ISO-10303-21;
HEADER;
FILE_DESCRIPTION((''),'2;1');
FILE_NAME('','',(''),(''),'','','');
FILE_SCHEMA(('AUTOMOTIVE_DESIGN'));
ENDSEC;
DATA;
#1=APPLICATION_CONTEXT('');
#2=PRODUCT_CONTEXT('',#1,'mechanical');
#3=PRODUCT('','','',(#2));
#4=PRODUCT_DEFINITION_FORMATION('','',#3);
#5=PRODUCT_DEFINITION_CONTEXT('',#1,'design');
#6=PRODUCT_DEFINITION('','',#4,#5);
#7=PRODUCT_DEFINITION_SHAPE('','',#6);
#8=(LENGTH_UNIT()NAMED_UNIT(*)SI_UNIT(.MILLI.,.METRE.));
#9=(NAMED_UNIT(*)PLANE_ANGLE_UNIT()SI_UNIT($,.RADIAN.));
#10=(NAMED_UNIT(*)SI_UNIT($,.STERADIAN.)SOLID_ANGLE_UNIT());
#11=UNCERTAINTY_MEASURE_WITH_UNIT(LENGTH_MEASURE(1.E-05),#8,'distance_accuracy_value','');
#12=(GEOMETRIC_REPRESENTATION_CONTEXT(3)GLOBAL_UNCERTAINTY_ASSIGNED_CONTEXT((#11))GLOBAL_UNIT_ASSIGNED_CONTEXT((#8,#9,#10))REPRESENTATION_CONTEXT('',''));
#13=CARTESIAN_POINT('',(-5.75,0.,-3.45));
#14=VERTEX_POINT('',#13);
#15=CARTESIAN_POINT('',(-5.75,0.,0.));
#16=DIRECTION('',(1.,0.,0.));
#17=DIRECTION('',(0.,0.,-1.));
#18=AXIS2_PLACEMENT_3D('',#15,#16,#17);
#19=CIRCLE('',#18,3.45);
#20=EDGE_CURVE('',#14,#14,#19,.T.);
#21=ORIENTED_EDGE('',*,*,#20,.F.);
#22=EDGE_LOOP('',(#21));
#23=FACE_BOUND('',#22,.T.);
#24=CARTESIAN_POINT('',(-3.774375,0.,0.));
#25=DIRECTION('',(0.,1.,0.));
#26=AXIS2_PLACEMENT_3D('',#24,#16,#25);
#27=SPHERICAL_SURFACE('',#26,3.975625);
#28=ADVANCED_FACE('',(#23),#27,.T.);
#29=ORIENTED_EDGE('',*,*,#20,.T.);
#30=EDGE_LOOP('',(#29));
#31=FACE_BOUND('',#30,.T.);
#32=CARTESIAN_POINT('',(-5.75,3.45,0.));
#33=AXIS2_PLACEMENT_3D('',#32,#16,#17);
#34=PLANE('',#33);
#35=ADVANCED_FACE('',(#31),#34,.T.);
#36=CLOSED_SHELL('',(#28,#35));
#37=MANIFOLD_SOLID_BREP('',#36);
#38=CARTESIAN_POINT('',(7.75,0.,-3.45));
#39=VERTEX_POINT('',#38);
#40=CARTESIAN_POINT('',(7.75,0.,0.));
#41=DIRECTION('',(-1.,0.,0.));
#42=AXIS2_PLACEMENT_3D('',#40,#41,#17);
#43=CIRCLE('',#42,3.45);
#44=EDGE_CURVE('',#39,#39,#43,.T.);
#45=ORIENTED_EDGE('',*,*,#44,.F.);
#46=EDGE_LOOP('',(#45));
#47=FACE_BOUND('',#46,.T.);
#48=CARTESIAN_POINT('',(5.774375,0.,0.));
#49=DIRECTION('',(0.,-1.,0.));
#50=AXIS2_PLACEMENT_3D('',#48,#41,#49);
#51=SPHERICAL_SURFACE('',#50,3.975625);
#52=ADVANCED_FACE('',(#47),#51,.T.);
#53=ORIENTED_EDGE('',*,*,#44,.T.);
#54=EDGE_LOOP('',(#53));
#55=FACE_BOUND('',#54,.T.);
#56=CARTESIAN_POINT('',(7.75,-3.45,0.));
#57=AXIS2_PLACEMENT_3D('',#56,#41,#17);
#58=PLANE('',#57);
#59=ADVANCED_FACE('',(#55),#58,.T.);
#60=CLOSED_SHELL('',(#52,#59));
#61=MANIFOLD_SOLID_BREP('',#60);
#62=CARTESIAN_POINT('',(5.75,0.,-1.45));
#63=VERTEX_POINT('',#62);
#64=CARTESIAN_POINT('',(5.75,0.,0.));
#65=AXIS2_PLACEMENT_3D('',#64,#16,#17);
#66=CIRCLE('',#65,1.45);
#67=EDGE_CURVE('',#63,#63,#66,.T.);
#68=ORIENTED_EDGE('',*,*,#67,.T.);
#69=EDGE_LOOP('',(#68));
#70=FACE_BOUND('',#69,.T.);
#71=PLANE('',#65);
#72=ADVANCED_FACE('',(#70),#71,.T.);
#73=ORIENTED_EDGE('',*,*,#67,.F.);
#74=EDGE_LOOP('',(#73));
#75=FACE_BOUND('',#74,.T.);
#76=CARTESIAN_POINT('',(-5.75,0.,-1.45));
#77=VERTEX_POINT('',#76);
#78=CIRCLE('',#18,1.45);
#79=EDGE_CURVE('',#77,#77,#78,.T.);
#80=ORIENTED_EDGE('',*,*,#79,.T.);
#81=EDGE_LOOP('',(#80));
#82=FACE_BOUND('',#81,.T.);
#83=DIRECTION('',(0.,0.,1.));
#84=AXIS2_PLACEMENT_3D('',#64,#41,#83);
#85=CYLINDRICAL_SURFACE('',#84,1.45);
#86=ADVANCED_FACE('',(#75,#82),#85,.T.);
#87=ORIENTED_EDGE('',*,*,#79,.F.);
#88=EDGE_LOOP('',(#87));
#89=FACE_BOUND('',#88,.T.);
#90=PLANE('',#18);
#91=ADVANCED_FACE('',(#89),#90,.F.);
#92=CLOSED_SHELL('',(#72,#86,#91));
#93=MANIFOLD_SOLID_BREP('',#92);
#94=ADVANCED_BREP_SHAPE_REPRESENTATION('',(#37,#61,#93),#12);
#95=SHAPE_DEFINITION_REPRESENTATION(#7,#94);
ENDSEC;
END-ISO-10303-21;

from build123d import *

# Parameters (mm, degrees)
SKETCH2_R           = 1.45
BOSS_EXTRUDE1_DEPTH = 5.75
CIRPATTERN3_COUNT   = 2


with BuildPart() as part:
    # Sketch2 → Boss-Extrude1 (new, symmetric)
    with BuildSketch(Plane.YZ):
        with Locations(Location((0, 0, 0), (0, 0, 270))):
            Circle(SKETCH2_R)
    extrude(amount=BOSS_EXTRUDE1_DEPTH, both=True)


with BuildPart() as body_2:
    # Sketch3 → Revolve1 (revolve)
    with BuildSketch(Plane(origin=(0, 0, 0), x_dir=(0, 1, 0), z_dir=(0, 0, 1))):
        with BuildLine():
            Line((0, 5.75), (0, 7.75))
            ThreePointArc((0, 7.75), (1.993896938, 7.213847218), (3.45, 5.75))
            Line((3.45, 5.75), (0, 5.75))
        make_face()
    revolve(axis=Axis((-5.75, 0, 0), (-1, 0, 0)))


with BuildPart() as cirpattern3_1:
    # CirPattern3: pattern copy
    add(body_2.part.rotate(Axis((1, 0, 0), (0, 0, 1)), 1 * 360 / CIRPATTERN3_COUNT))


solid = Compound([part.part, body_2.part, cirpattern3_1.part])
